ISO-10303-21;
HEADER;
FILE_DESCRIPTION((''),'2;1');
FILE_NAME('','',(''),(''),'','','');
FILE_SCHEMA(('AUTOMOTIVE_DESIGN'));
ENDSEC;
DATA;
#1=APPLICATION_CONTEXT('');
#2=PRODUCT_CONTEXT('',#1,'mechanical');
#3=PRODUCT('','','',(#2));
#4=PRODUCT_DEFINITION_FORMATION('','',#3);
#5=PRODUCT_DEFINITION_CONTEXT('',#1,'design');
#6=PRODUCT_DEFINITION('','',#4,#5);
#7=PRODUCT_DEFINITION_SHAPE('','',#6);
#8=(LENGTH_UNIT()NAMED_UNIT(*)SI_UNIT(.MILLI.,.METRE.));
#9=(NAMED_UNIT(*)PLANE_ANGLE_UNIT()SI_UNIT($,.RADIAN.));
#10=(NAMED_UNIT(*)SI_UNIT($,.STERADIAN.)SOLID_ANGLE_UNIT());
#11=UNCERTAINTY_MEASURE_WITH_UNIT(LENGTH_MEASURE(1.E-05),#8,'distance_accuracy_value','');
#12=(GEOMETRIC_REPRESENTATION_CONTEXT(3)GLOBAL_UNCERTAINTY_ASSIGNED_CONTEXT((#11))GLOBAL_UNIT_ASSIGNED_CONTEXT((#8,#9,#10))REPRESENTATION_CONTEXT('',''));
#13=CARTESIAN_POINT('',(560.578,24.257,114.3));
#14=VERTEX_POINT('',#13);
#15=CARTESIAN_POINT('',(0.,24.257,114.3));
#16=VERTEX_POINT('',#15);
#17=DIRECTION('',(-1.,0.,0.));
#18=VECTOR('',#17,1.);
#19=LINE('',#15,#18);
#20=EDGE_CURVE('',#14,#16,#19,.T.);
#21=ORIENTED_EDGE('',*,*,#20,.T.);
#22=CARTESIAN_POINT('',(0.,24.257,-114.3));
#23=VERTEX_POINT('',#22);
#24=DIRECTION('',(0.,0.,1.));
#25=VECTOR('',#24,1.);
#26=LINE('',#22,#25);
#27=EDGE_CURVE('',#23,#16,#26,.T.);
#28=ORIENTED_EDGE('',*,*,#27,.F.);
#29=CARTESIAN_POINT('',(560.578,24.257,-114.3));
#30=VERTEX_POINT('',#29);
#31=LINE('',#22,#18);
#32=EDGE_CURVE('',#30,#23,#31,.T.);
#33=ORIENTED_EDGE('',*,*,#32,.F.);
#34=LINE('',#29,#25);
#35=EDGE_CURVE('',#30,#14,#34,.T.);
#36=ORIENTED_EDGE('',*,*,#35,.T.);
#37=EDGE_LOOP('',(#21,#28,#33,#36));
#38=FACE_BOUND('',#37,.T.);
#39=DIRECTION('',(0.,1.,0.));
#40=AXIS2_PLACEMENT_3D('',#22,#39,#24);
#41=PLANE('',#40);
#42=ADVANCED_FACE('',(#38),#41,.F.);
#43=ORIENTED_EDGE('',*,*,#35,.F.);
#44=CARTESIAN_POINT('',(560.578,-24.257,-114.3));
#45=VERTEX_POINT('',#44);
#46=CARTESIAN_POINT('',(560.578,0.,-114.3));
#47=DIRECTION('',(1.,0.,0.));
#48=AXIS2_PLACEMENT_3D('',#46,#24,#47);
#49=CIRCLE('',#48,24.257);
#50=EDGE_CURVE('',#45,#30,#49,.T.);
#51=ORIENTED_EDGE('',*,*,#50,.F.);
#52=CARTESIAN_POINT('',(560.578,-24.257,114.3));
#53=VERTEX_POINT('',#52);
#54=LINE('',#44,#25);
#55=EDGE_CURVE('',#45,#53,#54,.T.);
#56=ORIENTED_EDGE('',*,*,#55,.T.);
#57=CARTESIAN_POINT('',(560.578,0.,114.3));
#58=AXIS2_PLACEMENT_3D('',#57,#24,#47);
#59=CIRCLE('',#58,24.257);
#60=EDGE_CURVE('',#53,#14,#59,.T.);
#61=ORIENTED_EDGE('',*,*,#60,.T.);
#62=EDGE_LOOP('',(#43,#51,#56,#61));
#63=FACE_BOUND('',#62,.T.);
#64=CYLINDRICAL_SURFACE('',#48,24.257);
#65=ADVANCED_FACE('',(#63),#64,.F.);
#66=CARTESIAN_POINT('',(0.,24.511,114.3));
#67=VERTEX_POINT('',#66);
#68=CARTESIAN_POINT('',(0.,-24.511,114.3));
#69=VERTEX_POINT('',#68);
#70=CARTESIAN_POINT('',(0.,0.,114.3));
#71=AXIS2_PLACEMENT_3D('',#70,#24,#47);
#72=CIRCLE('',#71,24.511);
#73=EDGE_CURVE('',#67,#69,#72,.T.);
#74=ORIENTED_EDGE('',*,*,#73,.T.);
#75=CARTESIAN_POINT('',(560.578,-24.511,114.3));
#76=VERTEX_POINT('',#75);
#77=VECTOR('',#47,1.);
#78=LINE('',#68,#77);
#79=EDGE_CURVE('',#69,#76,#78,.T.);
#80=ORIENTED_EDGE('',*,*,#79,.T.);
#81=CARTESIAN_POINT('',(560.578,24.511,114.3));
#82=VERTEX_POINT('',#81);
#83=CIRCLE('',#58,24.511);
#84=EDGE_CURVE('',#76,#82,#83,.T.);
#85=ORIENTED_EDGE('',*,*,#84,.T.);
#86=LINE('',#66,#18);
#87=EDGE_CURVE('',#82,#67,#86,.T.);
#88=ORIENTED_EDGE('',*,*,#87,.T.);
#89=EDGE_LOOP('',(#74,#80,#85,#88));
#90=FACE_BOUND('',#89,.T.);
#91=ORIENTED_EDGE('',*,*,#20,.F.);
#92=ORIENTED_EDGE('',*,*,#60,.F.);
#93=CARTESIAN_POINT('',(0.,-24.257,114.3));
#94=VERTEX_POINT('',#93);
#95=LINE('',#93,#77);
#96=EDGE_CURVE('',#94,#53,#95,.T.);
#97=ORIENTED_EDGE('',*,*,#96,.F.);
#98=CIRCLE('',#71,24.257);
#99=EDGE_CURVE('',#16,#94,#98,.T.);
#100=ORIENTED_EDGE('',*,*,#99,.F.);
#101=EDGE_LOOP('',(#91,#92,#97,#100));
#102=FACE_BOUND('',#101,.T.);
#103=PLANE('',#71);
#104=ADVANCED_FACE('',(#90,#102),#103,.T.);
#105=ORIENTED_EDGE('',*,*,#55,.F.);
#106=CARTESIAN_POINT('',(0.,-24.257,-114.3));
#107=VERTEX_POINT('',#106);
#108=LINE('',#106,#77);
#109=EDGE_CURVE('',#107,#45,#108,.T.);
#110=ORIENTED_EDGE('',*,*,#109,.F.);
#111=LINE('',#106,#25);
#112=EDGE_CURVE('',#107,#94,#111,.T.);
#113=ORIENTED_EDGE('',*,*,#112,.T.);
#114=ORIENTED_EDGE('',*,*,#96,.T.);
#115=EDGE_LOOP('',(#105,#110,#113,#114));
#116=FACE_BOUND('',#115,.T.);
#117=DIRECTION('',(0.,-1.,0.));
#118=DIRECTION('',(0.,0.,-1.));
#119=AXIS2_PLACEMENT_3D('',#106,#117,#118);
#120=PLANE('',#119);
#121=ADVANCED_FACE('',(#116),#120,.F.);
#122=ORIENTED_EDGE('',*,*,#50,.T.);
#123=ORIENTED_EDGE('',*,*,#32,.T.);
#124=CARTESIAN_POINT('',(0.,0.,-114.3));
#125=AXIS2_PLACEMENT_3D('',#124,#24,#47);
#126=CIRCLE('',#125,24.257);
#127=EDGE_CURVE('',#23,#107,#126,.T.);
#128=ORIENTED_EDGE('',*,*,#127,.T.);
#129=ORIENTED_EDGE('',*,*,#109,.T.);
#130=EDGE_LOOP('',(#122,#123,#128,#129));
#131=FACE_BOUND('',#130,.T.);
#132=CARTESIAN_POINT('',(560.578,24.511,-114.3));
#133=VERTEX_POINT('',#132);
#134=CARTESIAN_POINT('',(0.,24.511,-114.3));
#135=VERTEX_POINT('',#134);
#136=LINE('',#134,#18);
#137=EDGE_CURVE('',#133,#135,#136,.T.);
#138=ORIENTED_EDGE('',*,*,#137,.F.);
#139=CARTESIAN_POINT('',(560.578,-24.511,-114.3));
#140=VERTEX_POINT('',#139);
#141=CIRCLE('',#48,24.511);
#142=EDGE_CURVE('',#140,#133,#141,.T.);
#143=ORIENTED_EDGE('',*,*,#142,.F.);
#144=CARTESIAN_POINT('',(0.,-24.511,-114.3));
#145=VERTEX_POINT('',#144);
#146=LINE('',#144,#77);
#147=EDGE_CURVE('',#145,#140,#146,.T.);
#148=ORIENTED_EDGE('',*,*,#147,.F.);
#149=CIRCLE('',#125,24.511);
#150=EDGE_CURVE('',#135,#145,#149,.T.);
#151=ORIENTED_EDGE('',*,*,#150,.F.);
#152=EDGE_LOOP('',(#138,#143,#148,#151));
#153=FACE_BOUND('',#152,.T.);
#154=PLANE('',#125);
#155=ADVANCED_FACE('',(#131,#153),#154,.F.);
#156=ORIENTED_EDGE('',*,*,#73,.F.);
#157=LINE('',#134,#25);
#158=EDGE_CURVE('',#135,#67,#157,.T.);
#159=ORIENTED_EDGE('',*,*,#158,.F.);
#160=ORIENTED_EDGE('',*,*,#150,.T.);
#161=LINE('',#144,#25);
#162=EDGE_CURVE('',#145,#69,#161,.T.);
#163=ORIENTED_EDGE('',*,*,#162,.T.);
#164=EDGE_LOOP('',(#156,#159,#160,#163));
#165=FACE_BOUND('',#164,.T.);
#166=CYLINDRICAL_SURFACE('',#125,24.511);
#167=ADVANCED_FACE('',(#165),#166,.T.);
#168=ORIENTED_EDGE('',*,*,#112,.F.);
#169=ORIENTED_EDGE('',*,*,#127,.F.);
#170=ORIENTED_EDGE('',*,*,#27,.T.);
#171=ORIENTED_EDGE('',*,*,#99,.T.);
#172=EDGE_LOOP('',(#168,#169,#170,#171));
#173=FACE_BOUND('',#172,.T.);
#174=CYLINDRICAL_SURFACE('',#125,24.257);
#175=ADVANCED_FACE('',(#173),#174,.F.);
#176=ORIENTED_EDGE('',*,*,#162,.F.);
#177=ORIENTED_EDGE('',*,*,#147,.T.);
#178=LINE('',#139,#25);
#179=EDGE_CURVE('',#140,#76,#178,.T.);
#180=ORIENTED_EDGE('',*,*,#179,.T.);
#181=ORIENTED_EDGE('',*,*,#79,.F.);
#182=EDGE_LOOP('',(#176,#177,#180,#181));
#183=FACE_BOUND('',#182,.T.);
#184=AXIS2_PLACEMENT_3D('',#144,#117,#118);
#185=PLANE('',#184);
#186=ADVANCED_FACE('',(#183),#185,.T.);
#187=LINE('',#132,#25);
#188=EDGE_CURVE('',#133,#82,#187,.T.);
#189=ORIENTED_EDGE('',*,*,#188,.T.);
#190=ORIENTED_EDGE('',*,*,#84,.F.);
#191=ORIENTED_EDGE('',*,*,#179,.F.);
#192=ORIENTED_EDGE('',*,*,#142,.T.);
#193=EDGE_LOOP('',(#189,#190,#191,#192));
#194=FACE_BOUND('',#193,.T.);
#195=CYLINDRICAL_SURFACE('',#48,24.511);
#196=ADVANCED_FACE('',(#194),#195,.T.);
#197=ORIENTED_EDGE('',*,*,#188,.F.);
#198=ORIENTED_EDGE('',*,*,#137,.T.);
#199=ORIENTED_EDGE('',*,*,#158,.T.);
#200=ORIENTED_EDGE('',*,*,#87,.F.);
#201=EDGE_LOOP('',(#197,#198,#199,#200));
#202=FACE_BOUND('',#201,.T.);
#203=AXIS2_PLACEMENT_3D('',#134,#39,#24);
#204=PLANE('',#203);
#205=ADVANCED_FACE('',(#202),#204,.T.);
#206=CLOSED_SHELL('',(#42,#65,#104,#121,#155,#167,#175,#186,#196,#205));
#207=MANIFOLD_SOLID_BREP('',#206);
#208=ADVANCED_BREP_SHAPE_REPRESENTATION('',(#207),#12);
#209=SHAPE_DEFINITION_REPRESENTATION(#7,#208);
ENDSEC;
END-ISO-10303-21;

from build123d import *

# Parameters (mm, degrees)
BOSS_EXTRUDE1_DEPTH = 114.3


with BuildPart() as part:
    # Sketch1 → Boss-Extrude1 (new body, symmetric)
    with BuildSketch(Plane.XY):
        with BuildLine():
            Line((0, 24.511), (560.578, 24.511))
            ThreePointArc((560.578, 24.511), (585.089, 0), (560.578, -24.511))
            Line((560.578, -24.511), (0, -24.511))
            ThreePointArc((0, -24.511), (-24.511, 0), (0, 24.511))
        make_face()
        with BuildLine():
            Line((0, 24.257), (560.578, 24.257))
            ThreePointArc((560.578, 24.257), (584.835, 0), (560.578, -24.257))
            Line((560.578, -24.257), (0, -24.257))
            ThreePointArc((0, -24.257), (-24.257, 0), (0, 24.257))
        make_face(mode=Mode.SUBTRACT)
    extrude(amount=BOSS_EXTRUDE1_DEPTH, both=True)


solid = part.part
